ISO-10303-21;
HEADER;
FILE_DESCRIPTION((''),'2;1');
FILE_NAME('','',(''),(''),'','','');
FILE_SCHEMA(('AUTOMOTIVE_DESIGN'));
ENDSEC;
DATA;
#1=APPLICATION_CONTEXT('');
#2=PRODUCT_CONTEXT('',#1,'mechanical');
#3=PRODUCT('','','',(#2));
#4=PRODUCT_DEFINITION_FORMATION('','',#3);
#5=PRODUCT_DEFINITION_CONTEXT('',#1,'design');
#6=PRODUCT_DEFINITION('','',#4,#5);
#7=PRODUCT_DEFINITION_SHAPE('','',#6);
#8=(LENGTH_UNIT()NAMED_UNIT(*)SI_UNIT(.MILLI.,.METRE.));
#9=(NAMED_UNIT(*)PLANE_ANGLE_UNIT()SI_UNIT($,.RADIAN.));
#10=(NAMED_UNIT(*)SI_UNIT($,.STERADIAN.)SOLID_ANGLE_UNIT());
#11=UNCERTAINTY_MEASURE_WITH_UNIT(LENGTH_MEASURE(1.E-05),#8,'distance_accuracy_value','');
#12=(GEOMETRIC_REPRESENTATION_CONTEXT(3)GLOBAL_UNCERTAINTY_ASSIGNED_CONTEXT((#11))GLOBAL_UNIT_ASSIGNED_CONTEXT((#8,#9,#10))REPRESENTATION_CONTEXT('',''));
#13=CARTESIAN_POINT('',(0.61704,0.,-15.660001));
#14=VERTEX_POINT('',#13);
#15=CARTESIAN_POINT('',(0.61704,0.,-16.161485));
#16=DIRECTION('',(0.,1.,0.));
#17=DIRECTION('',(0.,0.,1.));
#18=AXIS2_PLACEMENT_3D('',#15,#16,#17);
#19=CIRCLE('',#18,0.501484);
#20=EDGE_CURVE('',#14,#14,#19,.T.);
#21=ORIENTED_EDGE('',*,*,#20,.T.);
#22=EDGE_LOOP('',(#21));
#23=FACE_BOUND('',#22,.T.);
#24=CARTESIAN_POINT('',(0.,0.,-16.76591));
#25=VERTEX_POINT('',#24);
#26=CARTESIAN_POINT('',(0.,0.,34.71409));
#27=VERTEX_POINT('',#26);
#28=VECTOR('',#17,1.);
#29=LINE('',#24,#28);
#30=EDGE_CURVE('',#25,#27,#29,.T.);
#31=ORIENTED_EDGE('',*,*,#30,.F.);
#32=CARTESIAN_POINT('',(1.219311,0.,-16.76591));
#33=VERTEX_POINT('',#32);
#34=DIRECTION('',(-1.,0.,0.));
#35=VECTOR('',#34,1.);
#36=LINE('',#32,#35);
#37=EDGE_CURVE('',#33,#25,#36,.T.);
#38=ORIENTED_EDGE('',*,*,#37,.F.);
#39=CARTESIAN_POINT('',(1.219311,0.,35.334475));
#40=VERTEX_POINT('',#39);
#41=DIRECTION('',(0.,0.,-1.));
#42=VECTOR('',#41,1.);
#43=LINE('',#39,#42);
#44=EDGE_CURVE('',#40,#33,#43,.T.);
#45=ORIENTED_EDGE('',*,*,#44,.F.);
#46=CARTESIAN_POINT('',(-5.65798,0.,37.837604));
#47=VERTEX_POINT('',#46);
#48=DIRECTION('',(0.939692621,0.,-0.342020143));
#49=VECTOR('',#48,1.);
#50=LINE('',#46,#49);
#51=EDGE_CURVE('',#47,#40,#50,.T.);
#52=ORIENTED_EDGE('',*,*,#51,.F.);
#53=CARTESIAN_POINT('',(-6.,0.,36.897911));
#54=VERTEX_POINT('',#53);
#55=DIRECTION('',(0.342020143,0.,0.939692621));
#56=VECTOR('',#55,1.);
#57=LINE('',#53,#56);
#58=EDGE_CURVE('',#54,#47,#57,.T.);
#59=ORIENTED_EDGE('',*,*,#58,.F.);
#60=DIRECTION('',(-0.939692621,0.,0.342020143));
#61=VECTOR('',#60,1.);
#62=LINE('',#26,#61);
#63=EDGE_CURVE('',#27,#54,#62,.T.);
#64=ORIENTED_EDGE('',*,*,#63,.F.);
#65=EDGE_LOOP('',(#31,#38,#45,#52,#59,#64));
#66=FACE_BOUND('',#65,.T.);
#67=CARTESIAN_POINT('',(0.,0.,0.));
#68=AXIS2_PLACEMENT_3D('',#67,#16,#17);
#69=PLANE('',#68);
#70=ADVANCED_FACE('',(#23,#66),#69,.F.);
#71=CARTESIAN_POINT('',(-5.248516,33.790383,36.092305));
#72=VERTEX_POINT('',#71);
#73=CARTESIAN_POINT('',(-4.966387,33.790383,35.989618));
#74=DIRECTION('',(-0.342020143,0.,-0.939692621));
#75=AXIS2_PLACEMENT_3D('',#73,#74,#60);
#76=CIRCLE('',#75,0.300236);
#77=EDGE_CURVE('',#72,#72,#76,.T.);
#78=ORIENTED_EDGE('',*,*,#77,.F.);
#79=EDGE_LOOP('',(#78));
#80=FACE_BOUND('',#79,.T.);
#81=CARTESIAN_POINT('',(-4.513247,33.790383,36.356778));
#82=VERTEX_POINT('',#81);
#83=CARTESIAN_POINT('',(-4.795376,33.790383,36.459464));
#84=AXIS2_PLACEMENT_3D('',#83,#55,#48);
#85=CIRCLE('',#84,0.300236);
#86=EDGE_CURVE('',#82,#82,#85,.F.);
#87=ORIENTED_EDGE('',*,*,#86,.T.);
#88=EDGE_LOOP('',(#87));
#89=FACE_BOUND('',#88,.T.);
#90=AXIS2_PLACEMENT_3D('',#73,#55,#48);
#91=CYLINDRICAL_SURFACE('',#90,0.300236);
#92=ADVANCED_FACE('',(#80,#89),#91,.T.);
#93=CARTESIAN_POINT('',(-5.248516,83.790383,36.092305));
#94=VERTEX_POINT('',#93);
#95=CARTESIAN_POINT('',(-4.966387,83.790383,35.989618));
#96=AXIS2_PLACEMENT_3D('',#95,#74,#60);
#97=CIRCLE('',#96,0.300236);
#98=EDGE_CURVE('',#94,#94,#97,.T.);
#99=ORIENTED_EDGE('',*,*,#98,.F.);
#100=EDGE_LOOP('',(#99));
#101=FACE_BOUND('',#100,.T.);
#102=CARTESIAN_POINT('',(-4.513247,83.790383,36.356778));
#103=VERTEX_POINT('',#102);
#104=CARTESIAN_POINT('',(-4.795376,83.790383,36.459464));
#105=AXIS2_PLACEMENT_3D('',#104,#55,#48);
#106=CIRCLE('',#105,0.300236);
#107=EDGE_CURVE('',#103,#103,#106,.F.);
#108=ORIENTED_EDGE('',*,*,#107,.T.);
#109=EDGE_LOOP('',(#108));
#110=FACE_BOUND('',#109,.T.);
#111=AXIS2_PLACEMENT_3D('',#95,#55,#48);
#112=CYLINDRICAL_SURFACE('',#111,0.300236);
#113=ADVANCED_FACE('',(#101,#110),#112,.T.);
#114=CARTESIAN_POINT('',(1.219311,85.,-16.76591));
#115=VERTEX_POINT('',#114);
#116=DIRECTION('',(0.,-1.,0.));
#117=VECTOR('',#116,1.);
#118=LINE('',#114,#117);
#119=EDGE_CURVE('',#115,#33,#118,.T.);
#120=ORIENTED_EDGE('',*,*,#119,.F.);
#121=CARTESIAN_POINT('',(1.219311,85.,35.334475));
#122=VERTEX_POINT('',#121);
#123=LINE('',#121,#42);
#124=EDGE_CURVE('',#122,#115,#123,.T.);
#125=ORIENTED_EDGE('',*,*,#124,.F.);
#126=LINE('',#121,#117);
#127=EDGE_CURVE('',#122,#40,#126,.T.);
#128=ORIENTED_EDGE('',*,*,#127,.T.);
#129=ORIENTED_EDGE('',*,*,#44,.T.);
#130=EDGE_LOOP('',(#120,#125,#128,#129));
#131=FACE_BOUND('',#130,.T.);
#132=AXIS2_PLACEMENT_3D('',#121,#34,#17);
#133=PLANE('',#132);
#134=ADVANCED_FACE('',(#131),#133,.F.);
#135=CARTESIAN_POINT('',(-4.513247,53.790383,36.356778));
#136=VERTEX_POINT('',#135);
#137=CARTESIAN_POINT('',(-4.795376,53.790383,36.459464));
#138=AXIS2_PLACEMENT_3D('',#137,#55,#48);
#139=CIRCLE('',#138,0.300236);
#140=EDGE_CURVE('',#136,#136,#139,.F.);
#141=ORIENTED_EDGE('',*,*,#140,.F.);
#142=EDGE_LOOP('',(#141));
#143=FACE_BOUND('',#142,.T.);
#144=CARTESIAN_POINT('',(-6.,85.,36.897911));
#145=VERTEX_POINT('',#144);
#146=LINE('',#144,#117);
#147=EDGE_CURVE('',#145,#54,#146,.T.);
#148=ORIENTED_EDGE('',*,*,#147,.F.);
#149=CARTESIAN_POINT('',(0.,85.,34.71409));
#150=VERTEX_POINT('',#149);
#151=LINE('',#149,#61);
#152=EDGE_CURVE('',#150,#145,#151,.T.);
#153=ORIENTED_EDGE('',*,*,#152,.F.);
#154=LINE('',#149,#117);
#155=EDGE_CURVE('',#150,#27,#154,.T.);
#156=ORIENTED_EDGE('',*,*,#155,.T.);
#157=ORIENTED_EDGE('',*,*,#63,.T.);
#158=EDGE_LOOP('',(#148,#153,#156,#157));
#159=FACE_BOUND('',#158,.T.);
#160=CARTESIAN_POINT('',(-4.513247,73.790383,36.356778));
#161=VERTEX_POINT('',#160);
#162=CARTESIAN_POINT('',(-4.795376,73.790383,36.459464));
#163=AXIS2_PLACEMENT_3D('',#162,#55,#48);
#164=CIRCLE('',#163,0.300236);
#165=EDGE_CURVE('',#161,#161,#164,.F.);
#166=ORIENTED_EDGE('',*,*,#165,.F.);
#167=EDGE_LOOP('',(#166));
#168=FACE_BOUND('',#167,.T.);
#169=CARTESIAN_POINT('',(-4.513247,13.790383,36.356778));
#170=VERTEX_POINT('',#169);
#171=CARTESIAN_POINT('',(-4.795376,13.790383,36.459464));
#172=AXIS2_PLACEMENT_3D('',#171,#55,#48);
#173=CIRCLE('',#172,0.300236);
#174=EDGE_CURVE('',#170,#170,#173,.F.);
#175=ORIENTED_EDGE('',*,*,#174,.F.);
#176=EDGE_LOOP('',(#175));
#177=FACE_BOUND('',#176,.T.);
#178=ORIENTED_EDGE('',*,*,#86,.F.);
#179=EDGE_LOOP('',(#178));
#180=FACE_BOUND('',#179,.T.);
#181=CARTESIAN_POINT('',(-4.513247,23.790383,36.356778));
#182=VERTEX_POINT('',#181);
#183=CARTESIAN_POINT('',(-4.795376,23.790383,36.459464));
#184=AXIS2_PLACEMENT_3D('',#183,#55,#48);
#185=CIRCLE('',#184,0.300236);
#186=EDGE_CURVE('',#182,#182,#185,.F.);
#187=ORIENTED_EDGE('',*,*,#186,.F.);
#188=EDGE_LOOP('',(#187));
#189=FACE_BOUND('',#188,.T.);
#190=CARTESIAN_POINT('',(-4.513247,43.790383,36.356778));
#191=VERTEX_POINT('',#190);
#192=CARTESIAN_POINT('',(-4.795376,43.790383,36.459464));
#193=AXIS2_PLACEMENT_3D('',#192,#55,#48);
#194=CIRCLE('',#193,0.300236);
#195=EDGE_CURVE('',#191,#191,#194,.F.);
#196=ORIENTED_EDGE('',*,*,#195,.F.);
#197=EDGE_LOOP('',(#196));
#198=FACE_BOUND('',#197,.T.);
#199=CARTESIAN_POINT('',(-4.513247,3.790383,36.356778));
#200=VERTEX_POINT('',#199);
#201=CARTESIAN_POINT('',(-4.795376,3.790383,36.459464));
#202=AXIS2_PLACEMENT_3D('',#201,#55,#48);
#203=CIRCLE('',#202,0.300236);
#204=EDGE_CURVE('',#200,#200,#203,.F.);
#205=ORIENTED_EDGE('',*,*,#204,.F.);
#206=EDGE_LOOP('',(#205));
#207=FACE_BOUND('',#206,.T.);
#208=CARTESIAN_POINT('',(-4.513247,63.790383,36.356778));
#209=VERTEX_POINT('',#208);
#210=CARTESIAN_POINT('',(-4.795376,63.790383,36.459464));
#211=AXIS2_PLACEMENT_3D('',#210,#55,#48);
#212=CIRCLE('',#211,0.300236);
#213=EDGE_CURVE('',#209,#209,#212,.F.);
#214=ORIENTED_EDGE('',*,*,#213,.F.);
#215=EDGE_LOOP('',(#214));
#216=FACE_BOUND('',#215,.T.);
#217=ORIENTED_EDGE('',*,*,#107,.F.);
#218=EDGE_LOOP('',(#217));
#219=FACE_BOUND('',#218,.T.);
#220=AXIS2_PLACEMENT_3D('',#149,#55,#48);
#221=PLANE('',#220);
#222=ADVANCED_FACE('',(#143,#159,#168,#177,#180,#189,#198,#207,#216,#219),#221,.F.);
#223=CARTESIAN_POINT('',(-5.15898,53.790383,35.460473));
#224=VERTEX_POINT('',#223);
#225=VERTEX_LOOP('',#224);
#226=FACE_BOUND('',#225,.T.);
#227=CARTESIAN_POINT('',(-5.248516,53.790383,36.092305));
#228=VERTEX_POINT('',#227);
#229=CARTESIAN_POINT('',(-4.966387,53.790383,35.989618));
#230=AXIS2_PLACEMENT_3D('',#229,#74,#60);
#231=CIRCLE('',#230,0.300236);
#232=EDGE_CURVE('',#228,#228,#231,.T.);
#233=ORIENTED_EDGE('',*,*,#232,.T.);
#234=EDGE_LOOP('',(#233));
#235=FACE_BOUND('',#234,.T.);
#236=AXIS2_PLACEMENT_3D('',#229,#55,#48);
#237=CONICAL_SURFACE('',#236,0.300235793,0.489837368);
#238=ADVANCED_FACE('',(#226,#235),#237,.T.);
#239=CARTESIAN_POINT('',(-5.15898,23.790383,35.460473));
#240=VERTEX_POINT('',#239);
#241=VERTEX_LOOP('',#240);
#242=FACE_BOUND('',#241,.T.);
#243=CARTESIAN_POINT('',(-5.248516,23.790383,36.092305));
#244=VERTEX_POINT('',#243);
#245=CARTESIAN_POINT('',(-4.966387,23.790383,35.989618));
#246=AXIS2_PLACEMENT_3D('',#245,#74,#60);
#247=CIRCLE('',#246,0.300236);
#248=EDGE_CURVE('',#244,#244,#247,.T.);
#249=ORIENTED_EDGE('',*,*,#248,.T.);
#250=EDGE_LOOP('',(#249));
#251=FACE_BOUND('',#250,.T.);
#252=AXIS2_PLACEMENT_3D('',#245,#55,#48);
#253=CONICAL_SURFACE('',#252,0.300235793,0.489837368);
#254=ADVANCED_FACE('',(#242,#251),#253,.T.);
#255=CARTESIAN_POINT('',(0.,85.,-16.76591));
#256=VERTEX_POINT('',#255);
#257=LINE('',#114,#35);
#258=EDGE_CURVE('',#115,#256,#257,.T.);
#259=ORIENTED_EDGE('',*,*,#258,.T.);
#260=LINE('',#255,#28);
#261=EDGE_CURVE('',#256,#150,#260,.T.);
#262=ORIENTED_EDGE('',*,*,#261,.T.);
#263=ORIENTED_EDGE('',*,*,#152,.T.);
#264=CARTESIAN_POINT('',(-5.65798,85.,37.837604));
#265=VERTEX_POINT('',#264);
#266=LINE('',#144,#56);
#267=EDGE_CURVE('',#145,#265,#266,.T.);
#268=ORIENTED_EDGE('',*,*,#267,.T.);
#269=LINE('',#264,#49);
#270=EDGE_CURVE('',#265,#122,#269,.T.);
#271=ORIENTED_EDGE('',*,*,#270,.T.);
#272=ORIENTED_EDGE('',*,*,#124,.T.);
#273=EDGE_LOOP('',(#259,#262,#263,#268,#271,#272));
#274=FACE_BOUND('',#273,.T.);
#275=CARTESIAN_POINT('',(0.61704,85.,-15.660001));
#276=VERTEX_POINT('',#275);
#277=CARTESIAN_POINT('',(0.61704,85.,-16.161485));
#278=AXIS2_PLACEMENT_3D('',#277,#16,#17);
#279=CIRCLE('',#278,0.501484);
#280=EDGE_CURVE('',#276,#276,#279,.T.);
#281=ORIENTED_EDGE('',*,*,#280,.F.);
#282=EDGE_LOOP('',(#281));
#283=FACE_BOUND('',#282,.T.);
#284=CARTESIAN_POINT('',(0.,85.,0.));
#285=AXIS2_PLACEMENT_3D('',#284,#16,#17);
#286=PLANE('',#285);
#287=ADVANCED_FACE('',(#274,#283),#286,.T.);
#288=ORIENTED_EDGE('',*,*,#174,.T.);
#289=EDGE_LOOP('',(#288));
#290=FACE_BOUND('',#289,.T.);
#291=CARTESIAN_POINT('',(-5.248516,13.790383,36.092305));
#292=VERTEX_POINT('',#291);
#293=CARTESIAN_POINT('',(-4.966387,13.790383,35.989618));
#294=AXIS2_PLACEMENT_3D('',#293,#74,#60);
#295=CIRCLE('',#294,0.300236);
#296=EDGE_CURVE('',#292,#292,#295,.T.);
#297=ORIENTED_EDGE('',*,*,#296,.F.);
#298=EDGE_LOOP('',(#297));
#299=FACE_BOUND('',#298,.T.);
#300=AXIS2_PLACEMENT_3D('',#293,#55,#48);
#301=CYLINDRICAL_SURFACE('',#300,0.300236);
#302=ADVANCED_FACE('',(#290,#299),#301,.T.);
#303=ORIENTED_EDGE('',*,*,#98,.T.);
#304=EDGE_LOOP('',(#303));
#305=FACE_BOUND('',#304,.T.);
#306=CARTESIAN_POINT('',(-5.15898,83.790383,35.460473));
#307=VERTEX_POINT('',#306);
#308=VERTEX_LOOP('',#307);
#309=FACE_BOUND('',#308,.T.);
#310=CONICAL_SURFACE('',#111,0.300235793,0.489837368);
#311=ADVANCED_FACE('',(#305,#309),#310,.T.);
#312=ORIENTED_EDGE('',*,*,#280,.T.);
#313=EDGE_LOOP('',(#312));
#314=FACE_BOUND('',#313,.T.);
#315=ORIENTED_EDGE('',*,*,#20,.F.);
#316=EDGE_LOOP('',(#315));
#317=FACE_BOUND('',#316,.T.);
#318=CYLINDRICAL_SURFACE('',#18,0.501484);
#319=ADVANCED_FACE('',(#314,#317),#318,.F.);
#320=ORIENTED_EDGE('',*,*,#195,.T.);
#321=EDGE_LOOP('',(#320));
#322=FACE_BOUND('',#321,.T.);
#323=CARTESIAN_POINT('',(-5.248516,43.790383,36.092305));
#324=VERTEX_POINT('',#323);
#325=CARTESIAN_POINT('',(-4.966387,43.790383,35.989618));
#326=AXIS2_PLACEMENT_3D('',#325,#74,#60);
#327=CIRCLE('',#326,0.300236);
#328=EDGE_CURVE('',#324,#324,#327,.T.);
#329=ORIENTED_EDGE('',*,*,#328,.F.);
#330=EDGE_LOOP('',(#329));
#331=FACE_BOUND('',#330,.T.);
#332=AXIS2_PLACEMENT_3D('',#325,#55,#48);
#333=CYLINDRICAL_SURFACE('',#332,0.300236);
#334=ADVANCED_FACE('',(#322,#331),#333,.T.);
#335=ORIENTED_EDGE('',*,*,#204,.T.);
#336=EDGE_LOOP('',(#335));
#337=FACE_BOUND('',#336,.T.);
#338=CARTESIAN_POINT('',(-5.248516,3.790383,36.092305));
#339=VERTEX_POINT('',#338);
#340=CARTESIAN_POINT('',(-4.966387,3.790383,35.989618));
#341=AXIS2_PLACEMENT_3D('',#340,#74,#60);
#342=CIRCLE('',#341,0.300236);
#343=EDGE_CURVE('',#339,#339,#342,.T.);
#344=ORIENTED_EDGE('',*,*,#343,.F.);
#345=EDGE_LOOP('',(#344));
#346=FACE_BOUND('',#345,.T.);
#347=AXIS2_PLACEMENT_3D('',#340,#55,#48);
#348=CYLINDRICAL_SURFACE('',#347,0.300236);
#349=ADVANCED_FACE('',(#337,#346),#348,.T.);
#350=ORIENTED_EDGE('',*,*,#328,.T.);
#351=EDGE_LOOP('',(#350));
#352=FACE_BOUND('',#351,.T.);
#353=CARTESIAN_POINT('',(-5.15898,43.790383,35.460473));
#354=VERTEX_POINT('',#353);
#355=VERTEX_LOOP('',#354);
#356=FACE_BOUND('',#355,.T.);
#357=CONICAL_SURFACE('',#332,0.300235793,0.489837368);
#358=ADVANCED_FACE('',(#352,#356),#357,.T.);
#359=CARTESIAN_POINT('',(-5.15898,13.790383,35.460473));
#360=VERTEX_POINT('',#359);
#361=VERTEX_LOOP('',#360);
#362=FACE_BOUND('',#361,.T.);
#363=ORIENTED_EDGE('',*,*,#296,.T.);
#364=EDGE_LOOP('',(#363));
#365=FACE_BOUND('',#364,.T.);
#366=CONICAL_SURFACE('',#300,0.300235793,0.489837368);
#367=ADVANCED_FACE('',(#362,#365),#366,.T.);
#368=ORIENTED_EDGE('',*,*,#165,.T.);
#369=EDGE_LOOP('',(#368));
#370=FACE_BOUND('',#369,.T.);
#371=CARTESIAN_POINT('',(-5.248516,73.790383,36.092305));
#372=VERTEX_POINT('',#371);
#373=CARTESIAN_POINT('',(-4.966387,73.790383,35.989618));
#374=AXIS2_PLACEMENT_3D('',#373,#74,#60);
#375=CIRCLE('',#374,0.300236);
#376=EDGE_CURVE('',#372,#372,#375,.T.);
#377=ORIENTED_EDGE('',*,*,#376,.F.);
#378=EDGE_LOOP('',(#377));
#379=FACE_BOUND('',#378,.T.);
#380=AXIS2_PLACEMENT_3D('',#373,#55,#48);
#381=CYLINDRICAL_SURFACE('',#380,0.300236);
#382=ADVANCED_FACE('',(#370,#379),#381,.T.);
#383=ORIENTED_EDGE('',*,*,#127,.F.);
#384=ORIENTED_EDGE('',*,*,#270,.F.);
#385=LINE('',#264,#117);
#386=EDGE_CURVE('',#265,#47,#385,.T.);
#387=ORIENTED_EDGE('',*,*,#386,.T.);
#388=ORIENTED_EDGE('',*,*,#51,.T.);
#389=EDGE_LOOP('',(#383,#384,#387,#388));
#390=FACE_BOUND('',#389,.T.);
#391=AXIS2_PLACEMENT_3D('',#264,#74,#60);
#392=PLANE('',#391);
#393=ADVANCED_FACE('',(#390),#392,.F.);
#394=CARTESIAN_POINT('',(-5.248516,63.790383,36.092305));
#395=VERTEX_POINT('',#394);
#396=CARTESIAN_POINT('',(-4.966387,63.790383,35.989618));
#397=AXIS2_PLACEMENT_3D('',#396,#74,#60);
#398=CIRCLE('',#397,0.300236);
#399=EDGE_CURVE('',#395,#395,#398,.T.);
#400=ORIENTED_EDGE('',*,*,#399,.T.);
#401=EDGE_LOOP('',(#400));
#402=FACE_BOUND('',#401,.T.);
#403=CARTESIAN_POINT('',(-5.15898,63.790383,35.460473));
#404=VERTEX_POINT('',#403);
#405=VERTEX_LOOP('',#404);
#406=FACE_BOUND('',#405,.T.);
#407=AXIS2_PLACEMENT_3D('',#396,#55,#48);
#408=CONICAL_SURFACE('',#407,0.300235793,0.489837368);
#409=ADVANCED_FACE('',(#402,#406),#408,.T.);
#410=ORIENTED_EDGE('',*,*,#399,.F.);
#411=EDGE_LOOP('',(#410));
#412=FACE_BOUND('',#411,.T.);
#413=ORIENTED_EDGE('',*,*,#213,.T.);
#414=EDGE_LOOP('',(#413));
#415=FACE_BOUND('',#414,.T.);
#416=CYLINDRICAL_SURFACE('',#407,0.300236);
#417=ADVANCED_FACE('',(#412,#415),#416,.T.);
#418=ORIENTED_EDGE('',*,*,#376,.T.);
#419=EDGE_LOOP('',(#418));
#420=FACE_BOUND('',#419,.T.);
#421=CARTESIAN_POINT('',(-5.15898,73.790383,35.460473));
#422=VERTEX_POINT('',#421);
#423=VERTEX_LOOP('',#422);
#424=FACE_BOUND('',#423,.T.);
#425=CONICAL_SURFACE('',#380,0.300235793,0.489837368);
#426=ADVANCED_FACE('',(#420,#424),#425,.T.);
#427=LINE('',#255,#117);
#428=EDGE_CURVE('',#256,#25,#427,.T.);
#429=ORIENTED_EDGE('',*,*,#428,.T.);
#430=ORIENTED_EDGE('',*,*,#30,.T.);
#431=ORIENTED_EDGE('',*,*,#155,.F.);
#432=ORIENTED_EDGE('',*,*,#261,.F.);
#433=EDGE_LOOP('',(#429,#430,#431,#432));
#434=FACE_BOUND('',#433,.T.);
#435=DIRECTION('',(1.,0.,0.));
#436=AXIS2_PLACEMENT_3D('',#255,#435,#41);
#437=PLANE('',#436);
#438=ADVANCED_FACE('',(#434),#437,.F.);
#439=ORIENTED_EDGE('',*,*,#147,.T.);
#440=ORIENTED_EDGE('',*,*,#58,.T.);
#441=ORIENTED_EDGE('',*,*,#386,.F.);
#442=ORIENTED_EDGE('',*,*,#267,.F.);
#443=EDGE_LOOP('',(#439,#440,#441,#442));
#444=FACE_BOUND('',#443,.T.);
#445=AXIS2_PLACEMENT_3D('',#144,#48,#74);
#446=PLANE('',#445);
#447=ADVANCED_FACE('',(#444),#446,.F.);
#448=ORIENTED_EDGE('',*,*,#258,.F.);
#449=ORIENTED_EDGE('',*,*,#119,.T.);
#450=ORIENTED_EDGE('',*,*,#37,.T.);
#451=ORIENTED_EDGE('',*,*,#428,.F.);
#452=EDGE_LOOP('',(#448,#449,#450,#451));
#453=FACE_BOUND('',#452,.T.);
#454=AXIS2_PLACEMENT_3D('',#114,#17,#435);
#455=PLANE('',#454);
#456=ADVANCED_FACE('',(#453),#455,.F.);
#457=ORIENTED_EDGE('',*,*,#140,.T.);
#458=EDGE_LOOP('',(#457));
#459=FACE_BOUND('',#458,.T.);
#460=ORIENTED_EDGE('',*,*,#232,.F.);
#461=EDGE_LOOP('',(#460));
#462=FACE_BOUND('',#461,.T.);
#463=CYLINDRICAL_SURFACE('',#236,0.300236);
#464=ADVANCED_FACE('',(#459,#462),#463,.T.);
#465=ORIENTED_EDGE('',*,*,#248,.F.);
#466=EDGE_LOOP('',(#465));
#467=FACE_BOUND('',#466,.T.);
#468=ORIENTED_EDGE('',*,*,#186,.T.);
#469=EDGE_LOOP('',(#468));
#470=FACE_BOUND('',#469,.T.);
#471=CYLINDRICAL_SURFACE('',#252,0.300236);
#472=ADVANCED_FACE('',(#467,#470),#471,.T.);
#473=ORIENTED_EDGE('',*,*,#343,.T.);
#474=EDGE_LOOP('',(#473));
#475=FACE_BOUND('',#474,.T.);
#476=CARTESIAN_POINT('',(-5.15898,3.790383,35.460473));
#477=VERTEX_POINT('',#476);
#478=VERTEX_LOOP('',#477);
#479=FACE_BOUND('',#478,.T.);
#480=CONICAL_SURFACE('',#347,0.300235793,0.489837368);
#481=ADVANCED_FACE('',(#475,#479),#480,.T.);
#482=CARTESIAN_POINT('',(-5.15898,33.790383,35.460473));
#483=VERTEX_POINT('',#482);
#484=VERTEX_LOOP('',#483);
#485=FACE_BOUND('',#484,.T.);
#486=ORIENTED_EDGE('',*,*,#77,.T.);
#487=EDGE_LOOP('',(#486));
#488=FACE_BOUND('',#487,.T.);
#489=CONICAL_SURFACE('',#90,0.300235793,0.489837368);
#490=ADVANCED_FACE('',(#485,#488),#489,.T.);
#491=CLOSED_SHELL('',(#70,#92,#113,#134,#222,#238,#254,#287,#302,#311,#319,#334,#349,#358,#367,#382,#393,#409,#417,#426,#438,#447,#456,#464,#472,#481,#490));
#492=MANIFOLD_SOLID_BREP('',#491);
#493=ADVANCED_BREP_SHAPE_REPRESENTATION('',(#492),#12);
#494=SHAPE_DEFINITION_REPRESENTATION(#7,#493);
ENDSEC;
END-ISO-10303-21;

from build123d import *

# Parameters (mm, degrees)
BOSS_EXTRUDE1_DEPTH = 85
SKETCH6_R           = 0.501484151
CUT_EXTRUDE1_DEPTH  = 94.234565894
SKETCH7_R           = 0.300235793
BOSS_EXTRUDE2_DEPTH = 0.5
LPATTERN1_COUNT     = 9
LPATTERN1_PITCH     = 10


with BuildPart() as part:
    # Sketch5 → Boss-Extrude1 (new body)
    with BuildSketch(Plane(origin=(0, 0, 0), x_dir=(1, 0, 0), z_dir=(0, 1, 0))):
        Polygon((0, 16.765910013), (0, -34.714089987), (-6, -36.897911392), (-5.657979857, -37.837604013), (1.219310648, -35.334474977), (1.219310648, 16.765910013), align=None)
    extrude(amount=BOSS_EXTRUDE1_DEPTH)

    # Sketch6 → Cut-Extrude1 (cut, through all)
    with BuildSketch(Plane(origin=(0, 85, 0), x_dir=(1, 0, 0), z_dir=(0, 1, 0))):
        with Locations((0.617040076, 16.161484854)):
            Circle(SKETCH6_R)
    extrude(amount=-CUT_EXTRUDE1_DEPTH, mode=Mode.SUBTRACT)

    # Sketch7 → Boss-Extrude2 (add)
    with BuildSketch(Plane(origin=(11.156893463, 0, 30.65331286), x_dir=(-0.9396926207859091, 0, 0.3420201433256667), z_dir=(-0.34202014332566677, 0, -0.9396926207859092))):
        with Locations((16.976051075, 83.790382872)):
            Circle(SKETCH7_R)
    boss_extrude2 = extrude(amount=BOSS_EXTRUDE2_DEPTH)

    # Sketch10 → Revolve1 (revolve)
    with BuildSketch(Plane(origin=(-13.67960191, -0.418101739, 4.978967912), x_dir=(0.34171959685752173, 0.010444277455924904, 0.9397439194759158), z_dir=(-0.939305295450006, -0.02870881626841483, 0.3418791684324207))):
        Polygon((33.002180094, 84.203214447), (33.002180094, 83.902962264), (32.435969012, 83.908878691), align=None)
    revolve1 = revolve(axis=Axis((-4.965313546, 83.790382872, 35.992565984), (-0.34202014332567104, 0, -0.9396926207859075)))

    # LPattern1: Boss-Extrude2, Revolve1 ×9
    with Locations(*[(0, -i * LPATTERN1_PITCH, 0) for i in range(1, LPATTERN1_COUNT)]):
        add(boss_extrude2)
        add(revolve1)


solid = part.part
